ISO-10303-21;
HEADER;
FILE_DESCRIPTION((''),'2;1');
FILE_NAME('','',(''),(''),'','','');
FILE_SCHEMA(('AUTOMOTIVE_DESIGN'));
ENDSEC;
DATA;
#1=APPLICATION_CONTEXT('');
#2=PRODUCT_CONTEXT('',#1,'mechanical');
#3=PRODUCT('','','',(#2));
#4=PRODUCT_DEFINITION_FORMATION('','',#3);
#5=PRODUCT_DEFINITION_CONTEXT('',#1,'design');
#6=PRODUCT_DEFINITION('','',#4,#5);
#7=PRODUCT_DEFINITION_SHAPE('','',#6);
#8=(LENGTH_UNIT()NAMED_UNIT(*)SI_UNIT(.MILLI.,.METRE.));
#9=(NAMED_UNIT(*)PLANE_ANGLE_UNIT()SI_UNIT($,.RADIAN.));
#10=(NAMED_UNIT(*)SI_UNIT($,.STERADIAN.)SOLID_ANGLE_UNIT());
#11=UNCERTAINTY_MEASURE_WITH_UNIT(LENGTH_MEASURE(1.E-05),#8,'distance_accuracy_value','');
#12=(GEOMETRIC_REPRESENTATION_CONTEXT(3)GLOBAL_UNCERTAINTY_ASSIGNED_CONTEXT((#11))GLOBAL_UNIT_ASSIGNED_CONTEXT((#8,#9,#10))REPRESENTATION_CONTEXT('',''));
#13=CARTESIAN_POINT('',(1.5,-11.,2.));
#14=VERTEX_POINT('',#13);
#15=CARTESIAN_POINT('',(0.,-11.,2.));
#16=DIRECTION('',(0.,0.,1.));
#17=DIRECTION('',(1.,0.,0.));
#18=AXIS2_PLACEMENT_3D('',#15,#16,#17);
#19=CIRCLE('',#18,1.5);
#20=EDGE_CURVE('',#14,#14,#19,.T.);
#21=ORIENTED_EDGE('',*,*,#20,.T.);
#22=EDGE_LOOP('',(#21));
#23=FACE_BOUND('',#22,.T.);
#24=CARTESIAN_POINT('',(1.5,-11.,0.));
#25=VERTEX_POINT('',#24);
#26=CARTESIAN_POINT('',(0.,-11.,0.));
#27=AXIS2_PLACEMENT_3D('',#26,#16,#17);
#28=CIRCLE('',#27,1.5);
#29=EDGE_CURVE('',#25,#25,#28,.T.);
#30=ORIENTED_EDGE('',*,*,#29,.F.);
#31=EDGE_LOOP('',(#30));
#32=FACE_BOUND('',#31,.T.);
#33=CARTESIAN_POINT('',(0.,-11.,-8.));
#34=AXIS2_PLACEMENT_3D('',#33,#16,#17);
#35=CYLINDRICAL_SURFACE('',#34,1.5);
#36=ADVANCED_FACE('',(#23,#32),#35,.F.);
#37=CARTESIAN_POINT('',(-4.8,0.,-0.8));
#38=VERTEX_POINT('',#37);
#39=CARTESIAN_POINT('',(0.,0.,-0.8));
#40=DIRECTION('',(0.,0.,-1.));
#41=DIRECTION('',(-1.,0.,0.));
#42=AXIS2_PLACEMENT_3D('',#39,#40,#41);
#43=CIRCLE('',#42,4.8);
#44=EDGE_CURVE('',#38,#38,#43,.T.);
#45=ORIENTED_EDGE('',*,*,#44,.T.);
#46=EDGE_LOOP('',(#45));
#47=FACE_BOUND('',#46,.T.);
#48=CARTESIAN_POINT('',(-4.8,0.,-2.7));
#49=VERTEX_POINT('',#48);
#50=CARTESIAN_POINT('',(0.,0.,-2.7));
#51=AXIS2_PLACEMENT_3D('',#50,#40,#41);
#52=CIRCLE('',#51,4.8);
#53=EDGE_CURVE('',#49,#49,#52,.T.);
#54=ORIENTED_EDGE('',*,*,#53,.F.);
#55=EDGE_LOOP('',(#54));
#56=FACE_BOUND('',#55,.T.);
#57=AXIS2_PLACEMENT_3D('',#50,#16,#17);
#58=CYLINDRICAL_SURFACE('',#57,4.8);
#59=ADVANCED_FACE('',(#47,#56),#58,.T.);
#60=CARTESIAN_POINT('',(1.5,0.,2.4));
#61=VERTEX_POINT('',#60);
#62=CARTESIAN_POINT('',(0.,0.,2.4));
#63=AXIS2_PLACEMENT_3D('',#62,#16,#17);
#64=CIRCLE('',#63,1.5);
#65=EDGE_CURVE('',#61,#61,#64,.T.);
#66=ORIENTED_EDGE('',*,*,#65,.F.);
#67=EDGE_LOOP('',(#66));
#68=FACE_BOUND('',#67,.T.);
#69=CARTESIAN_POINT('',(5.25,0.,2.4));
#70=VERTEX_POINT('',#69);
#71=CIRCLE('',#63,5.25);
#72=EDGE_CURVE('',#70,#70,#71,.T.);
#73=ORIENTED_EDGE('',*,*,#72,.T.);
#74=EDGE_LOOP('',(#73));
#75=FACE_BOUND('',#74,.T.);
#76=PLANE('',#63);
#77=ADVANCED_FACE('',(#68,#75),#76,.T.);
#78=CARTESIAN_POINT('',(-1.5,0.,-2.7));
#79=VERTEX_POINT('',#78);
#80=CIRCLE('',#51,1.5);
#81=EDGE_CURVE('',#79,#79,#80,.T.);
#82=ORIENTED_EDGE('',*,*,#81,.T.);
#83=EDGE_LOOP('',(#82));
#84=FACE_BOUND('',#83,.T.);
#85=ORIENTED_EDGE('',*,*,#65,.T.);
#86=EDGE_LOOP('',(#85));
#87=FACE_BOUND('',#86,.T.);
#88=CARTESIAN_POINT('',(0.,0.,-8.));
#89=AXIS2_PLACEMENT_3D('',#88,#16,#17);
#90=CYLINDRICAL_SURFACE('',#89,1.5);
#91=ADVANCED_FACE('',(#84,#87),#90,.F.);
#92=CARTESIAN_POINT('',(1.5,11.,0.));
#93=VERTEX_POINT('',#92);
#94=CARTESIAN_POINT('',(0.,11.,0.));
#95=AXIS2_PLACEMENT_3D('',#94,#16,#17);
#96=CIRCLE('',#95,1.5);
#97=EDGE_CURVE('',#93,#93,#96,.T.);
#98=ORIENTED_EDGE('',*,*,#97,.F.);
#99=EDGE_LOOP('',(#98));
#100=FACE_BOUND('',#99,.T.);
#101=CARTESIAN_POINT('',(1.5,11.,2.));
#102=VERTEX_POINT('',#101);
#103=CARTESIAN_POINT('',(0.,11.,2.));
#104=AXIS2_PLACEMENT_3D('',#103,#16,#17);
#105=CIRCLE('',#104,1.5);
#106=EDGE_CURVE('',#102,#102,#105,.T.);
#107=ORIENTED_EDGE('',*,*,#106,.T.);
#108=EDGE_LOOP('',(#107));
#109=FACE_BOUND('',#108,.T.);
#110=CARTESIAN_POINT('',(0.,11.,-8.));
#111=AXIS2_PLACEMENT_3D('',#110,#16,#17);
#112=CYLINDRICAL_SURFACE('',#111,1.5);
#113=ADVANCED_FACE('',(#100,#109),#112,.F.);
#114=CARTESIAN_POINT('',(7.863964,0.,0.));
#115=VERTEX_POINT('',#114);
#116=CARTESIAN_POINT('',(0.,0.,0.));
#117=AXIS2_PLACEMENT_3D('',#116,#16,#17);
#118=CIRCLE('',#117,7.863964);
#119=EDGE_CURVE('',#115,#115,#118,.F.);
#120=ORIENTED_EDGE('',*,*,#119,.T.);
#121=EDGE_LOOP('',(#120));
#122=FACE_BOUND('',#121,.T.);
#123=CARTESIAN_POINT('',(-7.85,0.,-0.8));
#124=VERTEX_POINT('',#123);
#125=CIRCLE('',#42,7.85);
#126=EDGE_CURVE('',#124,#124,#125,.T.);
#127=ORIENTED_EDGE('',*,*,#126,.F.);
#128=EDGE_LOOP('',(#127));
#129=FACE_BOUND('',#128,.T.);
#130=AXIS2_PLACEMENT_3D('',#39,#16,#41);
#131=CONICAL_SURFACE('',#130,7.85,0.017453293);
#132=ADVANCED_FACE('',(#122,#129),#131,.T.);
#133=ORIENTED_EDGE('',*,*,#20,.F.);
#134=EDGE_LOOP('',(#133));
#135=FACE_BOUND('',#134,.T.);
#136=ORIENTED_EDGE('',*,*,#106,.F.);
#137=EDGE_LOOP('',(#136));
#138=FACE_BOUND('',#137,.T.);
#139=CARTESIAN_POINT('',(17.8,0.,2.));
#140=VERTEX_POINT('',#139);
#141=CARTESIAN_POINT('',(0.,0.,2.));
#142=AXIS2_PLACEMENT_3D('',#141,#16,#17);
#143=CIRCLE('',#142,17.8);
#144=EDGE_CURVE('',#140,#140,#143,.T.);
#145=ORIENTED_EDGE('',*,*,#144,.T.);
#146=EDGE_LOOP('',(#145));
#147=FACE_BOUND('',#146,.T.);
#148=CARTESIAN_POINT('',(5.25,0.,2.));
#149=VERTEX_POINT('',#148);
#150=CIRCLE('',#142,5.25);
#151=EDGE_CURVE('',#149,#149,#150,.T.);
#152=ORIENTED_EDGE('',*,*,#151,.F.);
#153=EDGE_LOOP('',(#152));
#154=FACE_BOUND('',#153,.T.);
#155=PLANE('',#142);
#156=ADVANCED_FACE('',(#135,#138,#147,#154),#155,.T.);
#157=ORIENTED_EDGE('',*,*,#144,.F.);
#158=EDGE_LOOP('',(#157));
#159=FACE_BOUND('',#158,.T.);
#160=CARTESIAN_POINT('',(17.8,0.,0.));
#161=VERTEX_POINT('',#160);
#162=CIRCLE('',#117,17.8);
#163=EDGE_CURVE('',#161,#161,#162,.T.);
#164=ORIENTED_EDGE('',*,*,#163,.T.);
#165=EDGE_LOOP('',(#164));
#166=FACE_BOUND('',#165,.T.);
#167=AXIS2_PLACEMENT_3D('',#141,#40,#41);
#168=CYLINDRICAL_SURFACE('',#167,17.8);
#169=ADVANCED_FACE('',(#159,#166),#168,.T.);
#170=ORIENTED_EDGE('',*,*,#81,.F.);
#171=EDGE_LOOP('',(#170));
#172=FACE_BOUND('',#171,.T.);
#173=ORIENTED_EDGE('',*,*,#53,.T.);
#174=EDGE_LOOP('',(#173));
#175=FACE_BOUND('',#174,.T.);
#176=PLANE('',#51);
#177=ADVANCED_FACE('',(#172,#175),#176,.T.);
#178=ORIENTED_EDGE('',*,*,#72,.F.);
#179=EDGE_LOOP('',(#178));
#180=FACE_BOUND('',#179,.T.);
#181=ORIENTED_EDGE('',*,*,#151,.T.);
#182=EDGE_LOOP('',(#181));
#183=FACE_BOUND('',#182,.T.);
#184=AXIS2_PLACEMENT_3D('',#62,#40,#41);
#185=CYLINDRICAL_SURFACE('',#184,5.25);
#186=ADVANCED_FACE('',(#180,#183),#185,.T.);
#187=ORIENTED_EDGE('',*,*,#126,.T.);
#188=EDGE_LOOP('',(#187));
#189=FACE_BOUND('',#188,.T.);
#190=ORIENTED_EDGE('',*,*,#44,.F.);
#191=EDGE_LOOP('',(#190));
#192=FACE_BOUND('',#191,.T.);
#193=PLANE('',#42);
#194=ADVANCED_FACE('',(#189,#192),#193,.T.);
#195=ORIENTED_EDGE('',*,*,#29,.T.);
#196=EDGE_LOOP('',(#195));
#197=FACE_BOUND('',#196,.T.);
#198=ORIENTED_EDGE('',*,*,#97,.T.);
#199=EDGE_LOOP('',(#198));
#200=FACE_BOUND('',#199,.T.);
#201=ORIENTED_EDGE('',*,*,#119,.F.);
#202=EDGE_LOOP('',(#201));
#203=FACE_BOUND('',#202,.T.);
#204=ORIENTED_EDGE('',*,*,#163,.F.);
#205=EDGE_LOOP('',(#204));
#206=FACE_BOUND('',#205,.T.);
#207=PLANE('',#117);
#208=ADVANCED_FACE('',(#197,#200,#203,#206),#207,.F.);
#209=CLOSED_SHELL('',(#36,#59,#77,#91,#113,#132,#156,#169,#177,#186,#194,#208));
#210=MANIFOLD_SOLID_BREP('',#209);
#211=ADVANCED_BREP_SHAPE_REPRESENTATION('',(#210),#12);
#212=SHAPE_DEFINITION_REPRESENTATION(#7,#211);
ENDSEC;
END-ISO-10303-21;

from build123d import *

# Parameters (mm, degrees)
SKETCH_1_R          = 17.8
EXTRUDE_1_DEPTH     = 2
SKETCH_2_R          = 7.85
EXTRUDE_2_DEPTH     = 0.8
DRAFT_1_ANGLE       = 1
SKETCH_38_R         = 4.8
EXTRUDE_3_DEPTH     = 1.9
SKETCH_39_R         = 5.25
EXTRUDE_4_DEPTH     = 0.4
SKETCH_40_R         = 1.5
CUT_EXTRUDE_1_DEPTH = 10.4
SKETCH_42_R         = 1.5
CUT_EXTRUDE_3_DEPTH = 10


with BuildPart() as part:
    # ｽｹｯﾁ1 → ﾎﾞｽ - 押し出し1 (new body)
    with BuildSketch(Plane.XY):
        Circle(SKETCH_1_R)
    extrude(amount=EXTRUDE_1_DEPTH)

    # ｽｹｯﾁ2 → ﾎﾞｽ - 押し出し2 (add)
    with BuildSketch(Plane(origin=(0, 0, 0), x_dir=(-1, 0, 0), z_dir=(0, 0, -1))):
        Circle(SKETCH_2_R)
    extrude(amount=EXTRUDE_2_DEPTH)

    # 抜き勾配1
    draft_1_faces = [part.faces().sort_by_distance(p)[0] for p in [
        (7.85, 0, -0.4),
    ]]
    draft(draft_1_faces, Plane(origin=(0, 0, -0.8), x_dir=(-1, 0, 0), z_dir=(0, 0, -1)), DRAFT_1_ANGLE)

    # ｽｹｯﾁ38 → ﾎﾞｽ - 押し出し3 (add)
    with BuildSketch(Plane(origin=(0, 0, -0.8), x_dir=(-1, 0, 0), z_dir=(0, 0, -1))):
        Circle(SKETCH_38_R)
    extrude(amount=EXTRUDE_3_DEPTH)

    # ｽｹｯﾁ39 → ﾎﾞｽ - 押し出し4 (add)
    with BuildSketch(Plane.XY.offset(2)):
        Circle(SKETCH_39_R)
    extrude(amount=EXTRUDE_4_DEPTH)

    # ｽｹｯﾁ40 → ｶｯﾄ - 押し出し1 (cut)
    with BuildSketch(Plane.XY.offset(2.4)):
        Circle(SKETCH_40_R)
    extrude(amount=-CUT_EXTRUDE_1_DEPTH, mode=Mode.SUBTRACT)

    # ｽｹｯﾁ42 → ｶｯﾄ - 押し出し3 (cut)
    with BuildSketch(Plane.XY.offset(2)):
        with Locations((0, 11)):
            Circle(SKETCH_42_R)
        with Locations((0, -11)):
            Circle(SKETCH_42_R)
    extrude(amount=-CUT_EXTRUDE_3_DEPTH, mode=Mode.SUBTRACT)


solid = part.part
